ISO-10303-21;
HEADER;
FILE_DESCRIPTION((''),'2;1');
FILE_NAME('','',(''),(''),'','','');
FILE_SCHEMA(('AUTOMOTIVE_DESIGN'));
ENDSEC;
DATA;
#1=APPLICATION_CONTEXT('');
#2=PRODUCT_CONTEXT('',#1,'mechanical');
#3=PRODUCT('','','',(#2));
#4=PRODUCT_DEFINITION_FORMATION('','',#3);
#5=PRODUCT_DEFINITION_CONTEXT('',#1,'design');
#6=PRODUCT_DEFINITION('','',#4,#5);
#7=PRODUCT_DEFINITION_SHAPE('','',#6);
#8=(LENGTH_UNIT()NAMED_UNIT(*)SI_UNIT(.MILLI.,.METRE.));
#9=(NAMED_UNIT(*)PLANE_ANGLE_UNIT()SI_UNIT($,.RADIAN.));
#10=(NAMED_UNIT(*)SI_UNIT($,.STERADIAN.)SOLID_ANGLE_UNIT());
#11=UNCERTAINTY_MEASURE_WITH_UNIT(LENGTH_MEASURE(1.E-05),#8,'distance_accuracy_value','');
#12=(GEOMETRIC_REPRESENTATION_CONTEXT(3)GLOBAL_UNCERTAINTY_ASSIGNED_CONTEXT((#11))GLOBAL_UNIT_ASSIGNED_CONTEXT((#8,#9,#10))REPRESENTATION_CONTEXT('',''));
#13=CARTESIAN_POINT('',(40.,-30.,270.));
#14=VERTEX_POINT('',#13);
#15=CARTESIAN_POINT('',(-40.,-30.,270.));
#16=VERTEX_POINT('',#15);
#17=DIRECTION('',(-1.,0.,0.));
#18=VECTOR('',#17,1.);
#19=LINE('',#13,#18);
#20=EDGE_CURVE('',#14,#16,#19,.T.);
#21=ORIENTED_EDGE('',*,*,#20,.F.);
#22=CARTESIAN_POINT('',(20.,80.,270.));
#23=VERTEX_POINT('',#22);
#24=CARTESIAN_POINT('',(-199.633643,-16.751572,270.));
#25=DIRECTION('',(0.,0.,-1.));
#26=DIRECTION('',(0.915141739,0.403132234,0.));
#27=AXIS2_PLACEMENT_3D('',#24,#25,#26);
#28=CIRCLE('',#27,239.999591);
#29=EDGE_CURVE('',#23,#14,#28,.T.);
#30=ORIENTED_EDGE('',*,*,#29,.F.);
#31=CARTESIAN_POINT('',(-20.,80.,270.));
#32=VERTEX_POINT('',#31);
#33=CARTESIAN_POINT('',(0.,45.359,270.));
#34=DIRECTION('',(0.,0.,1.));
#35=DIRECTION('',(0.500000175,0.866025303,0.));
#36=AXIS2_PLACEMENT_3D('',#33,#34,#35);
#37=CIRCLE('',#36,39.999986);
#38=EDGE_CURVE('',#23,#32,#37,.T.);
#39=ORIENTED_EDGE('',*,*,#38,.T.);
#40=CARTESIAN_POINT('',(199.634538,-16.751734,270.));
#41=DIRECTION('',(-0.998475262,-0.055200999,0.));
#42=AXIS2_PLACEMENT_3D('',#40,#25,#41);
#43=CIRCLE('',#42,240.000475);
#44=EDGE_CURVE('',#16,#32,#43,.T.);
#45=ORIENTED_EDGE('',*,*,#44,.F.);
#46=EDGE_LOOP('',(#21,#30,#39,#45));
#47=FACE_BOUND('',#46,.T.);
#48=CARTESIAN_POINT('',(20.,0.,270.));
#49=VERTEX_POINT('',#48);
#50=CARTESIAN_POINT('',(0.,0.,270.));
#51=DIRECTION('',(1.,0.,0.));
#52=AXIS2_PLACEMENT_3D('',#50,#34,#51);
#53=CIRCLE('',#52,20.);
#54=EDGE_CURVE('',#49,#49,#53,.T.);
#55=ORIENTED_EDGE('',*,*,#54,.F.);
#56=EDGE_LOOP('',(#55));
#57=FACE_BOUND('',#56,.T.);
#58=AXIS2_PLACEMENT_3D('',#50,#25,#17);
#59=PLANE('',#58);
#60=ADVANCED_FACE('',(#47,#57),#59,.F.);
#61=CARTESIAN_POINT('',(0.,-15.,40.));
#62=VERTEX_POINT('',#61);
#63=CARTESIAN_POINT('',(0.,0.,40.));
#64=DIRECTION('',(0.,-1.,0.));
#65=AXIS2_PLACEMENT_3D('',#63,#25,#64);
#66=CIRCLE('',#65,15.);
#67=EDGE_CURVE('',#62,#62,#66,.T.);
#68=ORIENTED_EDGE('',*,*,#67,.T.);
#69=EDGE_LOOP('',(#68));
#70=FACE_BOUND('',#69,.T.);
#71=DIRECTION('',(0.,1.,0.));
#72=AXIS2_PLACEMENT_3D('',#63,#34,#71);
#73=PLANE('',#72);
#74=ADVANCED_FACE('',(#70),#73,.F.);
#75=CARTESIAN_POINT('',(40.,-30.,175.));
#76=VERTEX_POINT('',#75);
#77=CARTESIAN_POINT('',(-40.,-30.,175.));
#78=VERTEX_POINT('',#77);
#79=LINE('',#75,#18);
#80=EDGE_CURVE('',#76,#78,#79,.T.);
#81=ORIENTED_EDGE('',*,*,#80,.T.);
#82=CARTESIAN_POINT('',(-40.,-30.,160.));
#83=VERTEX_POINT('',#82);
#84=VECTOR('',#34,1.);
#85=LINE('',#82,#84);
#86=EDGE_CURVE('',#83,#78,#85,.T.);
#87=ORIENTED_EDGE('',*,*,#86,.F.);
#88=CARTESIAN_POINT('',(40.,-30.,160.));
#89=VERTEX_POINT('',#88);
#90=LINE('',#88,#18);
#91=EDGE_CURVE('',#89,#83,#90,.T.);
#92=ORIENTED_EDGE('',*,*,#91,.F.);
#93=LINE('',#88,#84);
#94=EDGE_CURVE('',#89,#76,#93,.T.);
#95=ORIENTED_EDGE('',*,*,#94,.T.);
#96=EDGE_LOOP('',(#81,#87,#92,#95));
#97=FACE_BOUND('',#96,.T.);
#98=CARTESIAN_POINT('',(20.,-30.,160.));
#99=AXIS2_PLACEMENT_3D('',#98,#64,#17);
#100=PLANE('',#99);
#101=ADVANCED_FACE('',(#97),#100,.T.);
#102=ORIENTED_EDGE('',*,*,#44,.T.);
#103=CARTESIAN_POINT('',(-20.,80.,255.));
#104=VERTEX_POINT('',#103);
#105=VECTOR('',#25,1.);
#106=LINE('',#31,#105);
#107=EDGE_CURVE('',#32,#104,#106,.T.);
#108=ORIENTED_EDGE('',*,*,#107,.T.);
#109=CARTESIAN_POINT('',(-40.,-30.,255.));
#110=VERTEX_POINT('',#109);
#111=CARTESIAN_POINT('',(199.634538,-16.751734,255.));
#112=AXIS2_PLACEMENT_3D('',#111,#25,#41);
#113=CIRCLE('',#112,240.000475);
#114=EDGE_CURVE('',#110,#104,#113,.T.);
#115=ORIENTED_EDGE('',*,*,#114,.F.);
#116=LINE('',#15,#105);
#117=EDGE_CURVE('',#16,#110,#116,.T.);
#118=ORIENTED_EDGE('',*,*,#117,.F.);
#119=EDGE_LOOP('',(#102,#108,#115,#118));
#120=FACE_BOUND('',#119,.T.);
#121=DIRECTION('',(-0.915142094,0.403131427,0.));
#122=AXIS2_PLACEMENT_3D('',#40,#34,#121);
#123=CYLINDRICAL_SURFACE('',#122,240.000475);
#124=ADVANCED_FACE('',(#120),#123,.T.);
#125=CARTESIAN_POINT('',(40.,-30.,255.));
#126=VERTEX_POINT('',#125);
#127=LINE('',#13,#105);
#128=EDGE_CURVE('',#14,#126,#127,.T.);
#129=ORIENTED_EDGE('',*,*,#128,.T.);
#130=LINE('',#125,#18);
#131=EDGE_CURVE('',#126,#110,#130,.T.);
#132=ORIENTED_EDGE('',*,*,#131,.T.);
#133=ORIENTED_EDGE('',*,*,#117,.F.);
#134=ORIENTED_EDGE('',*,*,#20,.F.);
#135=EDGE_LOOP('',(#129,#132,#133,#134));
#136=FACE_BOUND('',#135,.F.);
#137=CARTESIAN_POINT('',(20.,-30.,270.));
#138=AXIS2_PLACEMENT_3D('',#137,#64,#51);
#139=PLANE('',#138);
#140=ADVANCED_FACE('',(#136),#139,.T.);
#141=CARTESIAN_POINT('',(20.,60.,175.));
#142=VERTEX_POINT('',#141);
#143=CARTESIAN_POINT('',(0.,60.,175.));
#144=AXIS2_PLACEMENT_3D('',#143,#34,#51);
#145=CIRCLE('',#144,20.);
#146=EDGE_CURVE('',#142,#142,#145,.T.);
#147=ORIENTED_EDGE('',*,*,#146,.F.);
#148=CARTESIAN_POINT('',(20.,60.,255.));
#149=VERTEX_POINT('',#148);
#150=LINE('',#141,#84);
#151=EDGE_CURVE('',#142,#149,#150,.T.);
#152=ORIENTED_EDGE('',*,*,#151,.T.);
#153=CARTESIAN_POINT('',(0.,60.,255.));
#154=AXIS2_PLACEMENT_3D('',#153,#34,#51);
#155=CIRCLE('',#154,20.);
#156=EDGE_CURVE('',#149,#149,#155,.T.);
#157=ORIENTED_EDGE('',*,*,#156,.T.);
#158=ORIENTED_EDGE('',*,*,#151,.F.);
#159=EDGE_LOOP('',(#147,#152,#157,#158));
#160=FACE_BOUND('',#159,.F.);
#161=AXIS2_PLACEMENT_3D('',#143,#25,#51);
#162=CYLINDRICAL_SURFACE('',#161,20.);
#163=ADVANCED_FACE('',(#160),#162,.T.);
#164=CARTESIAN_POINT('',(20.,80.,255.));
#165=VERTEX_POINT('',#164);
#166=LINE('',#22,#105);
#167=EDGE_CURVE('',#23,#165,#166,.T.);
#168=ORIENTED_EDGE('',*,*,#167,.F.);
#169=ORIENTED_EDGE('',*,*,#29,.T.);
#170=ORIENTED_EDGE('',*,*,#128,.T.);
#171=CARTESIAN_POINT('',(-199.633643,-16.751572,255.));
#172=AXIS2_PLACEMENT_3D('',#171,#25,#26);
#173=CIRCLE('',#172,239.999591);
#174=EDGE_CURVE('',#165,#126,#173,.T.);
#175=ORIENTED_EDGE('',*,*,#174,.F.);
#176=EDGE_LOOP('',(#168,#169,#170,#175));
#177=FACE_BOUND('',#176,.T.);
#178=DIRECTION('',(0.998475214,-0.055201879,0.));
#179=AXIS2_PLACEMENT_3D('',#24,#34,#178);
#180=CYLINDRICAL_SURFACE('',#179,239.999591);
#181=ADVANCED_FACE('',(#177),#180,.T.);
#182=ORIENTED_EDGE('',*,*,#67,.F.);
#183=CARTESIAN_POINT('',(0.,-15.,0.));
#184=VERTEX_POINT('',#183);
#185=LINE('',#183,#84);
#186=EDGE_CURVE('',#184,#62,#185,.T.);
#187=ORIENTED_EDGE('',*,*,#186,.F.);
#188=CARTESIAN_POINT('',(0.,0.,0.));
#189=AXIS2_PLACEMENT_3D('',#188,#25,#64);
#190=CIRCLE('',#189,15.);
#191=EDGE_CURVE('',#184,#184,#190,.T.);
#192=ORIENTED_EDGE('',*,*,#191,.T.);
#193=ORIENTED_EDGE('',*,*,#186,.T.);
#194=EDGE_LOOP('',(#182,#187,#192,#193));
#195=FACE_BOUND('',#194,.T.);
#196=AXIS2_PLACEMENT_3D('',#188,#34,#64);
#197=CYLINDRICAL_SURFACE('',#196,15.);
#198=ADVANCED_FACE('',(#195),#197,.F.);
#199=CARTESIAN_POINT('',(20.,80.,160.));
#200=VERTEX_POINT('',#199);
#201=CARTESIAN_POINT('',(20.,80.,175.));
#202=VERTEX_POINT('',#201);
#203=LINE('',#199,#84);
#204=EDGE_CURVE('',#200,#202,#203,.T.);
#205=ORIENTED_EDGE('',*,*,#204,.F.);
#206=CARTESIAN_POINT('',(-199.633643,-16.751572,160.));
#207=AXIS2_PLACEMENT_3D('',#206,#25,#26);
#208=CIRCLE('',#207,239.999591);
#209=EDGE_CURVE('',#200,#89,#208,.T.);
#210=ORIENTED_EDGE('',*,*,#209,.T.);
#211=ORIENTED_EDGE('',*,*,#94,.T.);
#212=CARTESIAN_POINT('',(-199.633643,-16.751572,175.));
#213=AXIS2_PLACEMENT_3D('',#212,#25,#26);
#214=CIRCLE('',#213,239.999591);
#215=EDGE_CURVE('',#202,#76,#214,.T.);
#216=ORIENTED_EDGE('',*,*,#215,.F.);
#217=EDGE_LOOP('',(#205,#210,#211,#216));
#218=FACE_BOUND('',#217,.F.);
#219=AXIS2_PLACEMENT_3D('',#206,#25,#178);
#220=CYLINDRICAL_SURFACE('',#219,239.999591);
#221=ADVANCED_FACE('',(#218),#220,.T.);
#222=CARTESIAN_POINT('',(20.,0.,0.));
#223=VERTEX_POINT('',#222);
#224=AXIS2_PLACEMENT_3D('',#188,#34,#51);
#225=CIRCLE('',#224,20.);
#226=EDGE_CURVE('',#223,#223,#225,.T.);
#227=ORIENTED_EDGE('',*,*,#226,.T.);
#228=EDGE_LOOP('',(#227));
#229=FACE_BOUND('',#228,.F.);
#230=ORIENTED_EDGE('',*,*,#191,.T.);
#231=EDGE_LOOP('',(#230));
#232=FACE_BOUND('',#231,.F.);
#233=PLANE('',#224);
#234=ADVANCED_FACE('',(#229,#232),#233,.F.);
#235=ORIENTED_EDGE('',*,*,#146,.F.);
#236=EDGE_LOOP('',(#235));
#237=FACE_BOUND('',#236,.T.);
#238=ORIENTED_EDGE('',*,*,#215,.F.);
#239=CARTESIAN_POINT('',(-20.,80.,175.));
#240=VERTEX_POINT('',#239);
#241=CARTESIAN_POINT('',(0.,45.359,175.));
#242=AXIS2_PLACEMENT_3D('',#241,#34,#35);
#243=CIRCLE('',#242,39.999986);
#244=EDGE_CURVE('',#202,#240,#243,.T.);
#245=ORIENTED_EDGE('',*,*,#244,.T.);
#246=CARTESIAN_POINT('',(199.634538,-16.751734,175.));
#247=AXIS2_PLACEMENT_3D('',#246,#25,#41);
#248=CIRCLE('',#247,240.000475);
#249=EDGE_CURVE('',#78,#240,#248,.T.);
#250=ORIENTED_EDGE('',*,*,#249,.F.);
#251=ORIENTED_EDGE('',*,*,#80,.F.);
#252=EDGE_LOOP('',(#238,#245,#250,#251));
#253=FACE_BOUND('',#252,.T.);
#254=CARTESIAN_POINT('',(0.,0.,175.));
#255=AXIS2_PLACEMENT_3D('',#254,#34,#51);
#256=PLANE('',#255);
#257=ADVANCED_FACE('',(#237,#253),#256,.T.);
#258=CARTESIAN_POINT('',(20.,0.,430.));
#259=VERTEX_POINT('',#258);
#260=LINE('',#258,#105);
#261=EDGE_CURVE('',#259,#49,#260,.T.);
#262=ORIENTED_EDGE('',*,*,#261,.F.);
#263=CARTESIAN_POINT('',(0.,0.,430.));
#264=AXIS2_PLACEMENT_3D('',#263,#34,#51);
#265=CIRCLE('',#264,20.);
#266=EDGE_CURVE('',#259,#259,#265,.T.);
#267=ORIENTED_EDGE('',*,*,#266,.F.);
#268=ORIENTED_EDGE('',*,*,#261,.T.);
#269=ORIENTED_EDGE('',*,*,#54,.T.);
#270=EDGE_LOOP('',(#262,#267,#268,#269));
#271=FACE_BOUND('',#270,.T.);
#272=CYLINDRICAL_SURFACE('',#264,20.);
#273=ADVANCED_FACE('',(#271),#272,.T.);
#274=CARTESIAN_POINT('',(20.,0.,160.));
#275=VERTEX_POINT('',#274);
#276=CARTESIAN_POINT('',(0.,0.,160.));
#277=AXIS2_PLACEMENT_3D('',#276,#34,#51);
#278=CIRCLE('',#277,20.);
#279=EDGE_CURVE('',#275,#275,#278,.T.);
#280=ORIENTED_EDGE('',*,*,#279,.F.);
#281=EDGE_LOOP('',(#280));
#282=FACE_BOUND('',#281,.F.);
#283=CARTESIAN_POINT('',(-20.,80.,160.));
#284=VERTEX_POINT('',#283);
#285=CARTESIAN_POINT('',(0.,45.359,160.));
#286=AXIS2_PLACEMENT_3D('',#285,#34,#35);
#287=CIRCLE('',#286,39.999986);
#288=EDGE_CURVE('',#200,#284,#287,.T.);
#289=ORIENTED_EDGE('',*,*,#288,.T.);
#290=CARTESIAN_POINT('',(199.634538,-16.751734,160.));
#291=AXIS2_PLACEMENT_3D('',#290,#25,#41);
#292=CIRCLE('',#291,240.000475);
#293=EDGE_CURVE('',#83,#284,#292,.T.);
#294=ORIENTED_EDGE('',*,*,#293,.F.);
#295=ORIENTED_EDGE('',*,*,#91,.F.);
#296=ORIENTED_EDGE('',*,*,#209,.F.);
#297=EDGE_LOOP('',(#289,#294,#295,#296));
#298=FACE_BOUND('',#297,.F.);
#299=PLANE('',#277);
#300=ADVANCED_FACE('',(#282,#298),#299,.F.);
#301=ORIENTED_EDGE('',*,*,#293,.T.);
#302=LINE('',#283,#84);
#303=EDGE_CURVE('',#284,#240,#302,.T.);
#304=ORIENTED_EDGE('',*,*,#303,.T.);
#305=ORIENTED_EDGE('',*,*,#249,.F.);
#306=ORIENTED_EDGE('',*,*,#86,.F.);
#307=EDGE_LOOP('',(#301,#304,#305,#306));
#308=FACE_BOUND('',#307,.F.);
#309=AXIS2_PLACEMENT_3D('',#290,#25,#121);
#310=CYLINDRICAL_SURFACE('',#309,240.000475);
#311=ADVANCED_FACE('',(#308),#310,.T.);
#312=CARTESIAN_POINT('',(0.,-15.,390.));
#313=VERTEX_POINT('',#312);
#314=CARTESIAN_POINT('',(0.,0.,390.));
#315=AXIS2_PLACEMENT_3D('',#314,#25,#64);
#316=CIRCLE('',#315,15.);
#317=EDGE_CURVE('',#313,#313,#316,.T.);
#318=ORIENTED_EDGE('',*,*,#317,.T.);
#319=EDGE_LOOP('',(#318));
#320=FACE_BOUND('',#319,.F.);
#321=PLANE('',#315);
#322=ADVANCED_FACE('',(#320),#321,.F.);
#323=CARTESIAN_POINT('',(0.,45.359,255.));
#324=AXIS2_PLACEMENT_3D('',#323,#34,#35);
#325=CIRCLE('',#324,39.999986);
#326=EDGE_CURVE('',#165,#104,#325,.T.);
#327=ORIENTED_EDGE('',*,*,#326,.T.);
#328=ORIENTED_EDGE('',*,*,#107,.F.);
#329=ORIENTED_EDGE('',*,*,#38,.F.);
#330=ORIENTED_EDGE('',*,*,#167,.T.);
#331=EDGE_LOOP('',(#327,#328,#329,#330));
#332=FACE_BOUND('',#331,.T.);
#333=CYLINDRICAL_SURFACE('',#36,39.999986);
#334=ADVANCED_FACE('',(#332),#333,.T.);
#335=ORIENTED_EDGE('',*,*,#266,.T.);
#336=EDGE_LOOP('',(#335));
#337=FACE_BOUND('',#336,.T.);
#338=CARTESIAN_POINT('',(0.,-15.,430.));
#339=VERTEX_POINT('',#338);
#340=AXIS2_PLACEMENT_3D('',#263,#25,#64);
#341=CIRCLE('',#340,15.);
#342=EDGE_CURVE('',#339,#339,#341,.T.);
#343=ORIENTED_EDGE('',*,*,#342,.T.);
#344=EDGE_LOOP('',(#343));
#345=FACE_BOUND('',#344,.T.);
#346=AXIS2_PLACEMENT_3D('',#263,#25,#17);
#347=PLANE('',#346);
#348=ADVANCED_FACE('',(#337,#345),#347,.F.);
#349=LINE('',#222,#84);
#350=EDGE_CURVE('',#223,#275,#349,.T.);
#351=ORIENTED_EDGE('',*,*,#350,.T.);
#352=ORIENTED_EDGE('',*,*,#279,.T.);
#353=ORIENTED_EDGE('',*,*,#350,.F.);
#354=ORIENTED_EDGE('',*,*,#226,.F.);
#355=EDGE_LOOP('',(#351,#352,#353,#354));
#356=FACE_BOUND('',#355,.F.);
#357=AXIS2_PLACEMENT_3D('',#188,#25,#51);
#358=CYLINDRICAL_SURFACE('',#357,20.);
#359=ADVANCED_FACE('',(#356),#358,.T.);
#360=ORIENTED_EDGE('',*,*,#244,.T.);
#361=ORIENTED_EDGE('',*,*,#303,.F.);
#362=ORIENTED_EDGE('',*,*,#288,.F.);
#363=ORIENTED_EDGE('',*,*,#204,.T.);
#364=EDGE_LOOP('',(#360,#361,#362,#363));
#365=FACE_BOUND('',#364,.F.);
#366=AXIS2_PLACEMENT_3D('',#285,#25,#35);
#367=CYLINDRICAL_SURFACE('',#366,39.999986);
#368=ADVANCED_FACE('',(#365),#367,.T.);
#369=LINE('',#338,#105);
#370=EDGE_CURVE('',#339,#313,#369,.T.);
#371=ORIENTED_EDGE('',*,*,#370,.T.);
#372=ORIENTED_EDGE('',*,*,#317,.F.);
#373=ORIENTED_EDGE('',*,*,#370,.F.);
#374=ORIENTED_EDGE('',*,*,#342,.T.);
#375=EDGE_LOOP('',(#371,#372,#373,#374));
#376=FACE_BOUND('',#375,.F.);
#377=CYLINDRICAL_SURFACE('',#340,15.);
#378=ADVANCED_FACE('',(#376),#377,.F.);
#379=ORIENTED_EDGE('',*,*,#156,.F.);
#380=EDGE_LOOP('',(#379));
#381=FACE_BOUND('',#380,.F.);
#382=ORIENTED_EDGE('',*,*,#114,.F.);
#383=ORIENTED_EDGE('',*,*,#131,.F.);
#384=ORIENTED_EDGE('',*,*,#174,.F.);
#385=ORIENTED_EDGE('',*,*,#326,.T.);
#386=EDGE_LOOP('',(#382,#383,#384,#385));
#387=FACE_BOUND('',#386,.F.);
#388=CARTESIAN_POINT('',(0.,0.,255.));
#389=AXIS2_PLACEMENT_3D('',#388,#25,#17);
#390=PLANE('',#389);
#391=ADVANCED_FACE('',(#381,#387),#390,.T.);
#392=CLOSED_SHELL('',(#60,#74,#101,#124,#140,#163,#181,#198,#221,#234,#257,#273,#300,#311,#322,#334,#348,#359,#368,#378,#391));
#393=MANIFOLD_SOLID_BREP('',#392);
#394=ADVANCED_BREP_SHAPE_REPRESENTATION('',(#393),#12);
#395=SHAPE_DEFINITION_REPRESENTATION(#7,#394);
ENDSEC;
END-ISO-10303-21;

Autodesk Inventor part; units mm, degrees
ref_plane "YZ Plane" through (0, 0, 0) normal (1, 0, 0) x (0, 1, 0)
ref_plane "XZ Plane" through (0, 0, 0) normal (0, 1, 0) x (-1, 0, 0)
ref_plane "XY Plane" through (0, 0, 0) normal (0, 0, 1) x (1, 0, 0)
sketch "草图1" plane through (0, 0, 0) normal (0, 0, 1) x (1, 0, 0)
  circle A0 centre (0, 0) radius 20
  dimension "d0" = 40
extrude "拉伸1" add sketch "草图1" along normal blind 160
sketch "草图2" plane through (0, 0, 160) normal (0, 0, 1) x (1, 0, 0)
  line L0 (-40, 0) -> (40, 0)
  line L1 (40, 0) -> (40, -30) construction
  line L2 (40, -30) -> (-40, -30)
  line L3 (-40, -30) -> (-40, 0) construction
  circle A0 centre (0, 0) radius 20 projected
  line L4 (-20, 80) -> (20, 80)
  line L5 (20, 80) -> (20, -30)
  line L6 (20, -30) -> (-20, -30)
  line L7 (-20, -30) -> (-20, 80)
  line L8 (-20, 80) -> (-40, -30)
  line L9 (0, 0) -> (0, 63.2823)
  line L10 (20, 80) -> (40, -30)
  arc A1 (-20, 80) -> (-40, -30) centre (199.6341, -16.7516) ccw
  arc A2 (40, -30) -> (20, 80) centre (-199.6341, -16.7516) ccw
  arc A3 (20, 80) -> (-20, 80) centre (0, 45.359) ccw
  circle A4 centre (0, 120.4047) radius 25
  circle A5 centre (0, 0) radius 75
  line L11 (2.3516, 185.7586) -> (-119.2479, -80.6225)
  point P0 (0, -30)
  dimension "d3" = 80
  dimension "d4" = 30
  dimension "d5" = 40
  dimension "d6" = 110
  dimension "d7" = 20
  dimension "d8" = 110
  dimension "d9" = 240
  dimension "d10" = 40
  dimension "d24" = 50
  dimension "d25" = 150
extrude "拉伸2" add sketch "草图2" along normal blind 15 contours L9 A0 L0 | L0 A0 | L0 A0 L9 | L5 A5 L10 L0 | L5 L2 L7 A0 | L0 L10 L2 L5 | A0 L7 A5 L5 | L7 L2 L8 L0 | L0 L8 A5 L7 | L10 A5 A2 L0 | L0 A2 L10 | A5 L7 L4 L5 | L5 L10 A5 | L8 A1 L0 | L0 A1 A5 L8 | A5 L8 L7 | L10 A2 A5 | L4 A3 | A5 A1 L8
sketch "草图3" plane through (0, 0, 175) normal (0, 0, 1) x (1, 0, 0)
  circle A0 centre (0, 60) radius 20
  point P0 (0, 0)
  dimension "d13" = 40
  dimension "d14" = 60
extrude "拉伸3" add sketch "草图3" along normal blind 80
ref_plane "工作平面1" through (0, 60, 215) normal (0, 0, 1) x (1, 0, 0)
mirror "镜像1" about plane through (0, 60, 215) normal (0, 0, 1) of "拉伸2"
mirror "镜像2" about plane through (0, 60, 215) normal (0, 0, 1) of "拉伸1"
sketch "草图4" plane through (0, 0, 430) normal (0, 0, 1) x (1, 0, 0)
  circle A0 centre (0, 0) radius 20 projected
hole "孔1" at (0, 0, 430) direction (0, 0, -1) diameter 30 depth 40
mirror "镜像3" about plane through (0, 60, 215) normal (0, 0, 1) of "孔1"
equation "\"d8\" = 5.5 * d7"
properties part number "曲轴"
